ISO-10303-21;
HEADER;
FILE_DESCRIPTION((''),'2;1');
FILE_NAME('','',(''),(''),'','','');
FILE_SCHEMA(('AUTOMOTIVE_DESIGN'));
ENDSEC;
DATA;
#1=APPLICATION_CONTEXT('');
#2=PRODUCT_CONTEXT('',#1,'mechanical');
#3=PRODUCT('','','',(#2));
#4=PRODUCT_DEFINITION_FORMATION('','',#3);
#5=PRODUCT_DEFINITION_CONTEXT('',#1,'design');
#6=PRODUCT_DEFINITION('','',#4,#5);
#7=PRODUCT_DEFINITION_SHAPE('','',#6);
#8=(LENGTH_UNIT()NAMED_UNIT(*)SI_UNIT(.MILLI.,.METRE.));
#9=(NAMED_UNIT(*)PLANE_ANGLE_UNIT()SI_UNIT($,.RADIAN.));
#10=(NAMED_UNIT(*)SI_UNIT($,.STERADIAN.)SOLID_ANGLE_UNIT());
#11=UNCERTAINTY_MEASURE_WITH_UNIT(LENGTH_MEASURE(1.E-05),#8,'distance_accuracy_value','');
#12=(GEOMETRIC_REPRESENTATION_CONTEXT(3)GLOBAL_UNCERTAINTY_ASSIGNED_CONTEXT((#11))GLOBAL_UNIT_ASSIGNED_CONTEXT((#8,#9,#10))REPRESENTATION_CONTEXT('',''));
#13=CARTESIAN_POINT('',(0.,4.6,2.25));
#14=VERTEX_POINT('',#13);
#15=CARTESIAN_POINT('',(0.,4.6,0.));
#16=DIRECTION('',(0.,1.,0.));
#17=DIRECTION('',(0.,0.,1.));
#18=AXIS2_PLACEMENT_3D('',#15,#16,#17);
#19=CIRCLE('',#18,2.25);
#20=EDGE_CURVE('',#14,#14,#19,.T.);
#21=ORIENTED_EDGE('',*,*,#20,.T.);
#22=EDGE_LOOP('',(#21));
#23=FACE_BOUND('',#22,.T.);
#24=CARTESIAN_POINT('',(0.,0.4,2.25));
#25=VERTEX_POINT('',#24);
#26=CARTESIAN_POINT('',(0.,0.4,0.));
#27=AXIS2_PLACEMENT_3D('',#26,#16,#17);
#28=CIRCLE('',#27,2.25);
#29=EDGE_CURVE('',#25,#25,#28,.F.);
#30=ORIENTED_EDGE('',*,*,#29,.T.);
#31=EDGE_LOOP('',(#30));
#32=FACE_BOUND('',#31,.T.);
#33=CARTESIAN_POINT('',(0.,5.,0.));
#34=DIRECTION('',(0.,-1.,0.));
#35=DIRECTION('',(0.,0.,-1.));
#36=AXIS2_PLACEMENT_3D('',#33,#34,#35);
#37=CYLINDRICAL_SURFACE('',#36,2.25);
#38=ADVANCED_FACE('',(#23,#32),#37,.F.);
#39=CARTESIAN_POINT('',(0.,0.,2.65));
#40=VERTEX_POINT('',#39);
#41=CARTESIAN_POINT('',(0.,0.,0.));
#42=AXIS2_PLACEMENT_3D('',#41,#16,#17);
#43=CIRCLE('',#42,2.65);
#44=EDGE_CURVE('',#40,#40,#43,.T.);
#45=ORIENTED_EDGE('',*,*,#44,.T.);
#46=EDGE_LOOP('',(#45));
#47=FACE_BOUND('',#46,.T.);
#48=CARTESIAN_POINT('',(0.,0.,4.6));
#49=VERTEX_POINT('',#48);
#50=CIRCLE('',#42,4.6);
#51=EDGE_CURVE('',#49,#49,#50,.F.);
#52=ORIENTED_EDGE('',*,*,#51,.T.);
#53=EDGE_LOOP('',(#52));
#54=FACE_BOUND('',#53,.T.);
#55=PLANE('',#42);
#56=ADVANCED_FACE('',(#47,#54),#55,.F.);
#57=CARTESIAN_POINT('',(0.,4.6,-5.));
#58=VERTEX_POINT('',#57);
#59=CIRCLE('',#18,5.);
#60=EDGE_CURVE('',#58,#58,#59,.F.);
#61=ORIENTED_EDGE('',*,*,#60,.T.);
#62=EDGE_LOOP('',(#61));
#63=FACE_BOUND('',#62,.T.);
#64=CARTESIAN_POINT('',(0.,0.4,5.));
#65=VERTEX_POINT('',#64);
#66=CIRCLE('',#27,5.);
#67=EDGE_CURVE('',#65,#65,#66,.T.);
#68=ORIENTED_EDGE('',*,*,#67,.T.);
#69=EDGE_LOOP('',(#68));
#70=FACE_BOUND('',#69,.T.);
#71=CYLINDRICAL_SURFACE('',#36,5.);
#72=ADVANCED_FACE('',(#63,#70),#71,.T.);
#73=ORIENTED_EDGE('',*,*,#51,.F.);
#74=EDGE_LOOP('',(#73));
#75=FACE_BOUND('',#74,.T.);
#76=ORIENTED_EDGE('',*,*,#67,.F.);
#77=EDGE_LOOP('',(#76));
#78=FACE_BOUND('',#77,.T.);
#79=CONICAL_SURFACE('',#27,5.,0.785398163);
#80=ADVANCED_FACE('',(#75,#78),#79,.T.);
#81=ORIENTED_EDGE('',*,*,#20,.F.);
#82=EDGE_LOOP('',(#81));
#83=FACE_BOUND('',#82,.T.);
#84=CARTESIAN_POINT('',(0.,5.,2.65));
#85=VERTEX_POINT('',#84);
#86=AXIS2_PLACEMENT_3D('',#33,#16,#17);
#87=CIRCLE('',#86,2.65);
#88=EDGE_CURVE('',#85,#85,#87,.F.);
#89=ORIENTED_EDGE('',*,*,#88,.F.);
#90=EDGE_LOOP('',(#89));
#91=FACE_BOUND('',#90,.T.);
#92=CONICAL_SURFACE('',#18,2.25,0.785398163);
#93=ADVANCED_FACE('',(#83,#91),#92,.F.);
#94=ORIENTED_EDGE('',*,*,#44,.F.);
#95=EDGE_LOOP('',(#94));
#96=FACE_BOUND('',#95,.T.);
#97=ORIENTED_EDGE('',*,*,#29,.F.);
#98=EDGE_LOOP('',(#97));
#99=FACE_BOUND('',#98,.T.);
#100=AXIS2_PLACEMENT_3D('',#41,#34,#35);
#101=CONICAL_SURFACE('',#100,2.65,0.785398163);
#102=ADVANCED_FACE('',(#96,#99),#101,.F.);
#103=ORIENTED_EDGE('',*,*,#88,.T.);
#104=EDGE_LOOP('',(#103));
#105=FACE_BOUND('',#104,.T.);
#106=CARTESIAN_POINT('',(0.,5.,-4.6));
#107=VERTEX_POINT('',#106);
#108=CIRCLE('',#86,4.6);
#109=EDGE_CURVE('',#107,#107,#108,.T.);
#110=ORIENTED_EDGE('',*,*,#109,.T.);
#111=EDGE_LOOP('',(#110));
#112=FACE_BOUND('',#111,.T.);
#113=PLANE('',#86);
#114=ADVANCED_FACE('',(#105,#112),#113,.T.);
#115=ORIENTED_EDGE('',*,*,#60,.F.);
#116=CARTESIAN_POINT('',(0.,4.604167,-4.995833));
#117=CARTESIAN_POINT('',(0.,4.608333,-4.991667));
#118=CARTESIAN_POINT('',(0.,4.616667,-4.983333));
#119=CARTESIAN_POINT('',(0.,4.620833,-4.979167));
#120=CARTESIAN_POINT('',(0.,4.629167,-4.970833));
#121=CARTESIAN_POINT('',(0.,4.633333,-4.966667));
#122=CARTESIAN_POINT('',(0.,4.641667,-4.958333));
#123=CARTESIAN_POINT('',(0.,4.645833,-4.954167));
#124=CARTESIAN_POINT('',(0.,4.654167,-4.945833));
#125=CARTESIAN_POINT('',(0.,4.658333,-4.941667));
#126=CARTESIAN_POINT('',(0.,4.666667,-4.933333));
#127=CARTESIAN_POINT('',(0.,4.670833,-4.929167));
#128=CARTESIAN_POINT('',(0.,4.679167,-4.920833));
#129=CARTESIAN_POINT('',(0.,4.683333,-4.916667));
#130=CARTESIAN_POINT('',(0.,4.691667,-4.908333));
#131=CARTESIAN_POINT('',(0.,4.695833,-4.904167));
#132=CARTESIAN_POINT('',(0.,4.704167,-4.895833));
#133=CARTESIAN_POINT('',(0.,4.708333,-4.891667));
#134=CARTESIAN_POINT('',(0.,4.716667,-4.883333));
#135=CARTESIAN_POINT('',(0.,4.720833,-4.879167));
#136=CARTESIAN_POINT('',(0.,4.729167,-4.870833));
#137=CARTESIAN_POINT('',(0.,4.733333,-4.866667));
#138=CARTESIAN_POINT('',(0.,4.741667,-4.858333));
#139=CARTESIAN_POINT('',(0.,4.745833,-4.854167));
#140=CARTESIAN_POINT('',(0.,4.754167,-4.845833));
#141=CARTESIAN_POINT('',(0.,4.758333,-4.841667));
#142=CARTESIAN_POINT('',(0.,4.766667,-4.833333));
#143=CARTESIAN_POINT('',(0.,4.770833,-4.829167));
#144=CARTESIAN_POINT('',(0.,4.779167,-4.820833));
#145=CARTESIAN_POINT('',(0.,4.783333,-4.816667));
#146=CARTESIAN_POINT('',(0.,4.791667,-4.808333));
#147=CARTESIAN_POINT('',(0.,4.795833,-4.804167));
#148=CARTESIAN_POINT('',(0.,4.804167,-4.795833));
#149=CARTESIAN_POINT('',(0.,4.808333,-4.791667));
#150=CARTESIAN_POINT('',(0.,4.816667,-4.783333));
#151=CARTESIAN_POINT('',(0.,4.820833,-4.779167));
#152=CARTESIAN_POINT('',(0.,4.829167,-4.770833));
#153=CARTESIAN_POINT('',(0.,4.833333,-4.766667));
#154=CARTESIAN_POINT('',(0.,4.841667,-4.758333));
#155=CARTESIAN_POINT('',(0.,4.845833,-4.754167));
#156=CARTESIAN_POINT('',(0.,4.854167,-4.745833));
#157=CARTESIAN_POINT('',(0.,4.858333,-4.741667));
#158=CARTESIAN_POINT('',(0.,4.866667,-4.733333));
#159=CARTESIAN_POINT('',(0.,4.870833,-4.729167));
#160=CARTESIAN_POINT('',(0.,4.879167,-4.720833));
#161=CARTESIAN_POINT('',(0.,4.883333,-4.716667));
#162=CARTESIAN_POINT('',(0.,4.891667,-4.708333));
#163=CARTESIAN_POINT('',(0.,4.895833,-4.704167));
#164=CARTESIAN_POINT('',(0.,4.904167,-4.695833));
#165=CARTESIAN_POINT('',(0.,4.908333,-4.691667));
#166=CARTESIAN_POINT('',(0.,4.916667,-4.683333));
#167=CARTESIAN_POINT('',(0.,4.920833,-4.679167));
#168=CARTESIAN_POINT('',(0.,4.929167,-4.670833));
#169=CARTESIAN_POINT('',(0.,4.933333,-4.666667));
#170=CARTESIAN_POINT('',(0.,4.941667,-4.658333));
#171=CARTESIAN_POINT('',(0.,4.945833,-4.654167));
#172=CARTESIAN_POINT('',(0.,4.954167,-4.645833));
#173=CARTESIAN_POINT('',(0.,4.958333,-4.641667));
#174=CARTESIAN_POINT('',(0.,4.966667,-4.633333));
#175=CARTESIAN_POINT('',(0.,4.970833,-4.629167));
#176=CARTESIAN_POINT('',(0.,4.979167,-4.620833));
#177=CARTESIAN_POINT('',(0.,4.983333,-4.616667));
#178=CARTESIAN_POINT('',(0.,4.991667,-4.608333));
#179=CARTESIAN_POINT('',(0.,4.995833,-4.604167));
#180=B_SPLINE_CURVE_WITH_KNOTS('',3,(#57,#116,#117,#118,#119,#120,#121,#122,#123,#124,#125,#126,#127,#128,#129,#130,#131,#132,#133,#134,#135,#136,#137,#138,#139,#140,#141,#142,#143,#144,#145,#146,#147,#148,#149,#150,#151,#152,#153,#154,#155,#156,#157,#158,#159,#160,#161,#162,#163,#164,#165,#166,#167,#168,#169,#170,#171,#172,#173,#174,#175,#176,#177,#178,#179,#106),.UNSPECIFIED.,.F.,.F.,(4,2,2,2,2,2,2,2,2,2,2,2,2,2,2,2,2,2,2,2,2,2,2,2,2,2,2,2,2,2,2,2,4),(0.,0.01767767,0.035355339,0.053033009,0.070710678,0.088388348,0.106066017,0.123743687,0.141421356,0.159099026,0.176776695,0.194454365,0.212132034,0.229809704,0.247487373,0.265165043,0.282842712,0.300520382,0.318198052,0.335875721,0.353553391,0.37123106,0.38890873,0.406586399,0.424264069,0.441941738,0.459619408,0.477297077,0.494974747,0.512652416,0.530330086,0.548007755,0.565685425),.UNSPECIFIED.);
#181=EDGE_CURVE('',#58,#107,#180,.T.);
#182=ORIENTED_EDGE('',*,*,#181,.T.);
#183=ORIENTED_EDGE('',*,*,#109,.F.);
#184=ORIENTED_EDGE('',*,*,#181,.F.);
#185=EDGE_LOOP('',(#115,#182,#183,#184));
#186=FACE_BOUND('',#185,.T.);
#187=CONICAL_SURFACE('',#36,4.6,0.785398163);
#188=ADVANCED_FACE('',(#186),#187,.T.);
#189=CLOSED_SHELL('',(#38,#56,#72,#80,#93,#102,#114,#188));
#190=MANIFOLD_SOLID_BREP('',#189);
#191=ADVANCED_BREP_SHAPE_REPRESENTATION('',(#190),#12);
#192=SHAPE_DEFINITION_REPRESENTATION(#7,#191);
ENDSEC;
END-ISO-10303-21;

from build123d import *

# Parameters (mm, degrees)
BODY_SKETCH_R   = 5
BODY_SKETCH_R_2 = 2.25
BODY_DEPTH      = 5
CHAMFERS_SIZE   = 0.4


with BuildPart() as part:
    # body_sketch → body (new body)
    with BuildSketch(Plane(origin=(0, 0, 0), x_dir=(1, 0, 0), z_dir=(0, 1, 0))):
        with Locations(Location((0, 0, 0), (0, 0, 270))):
            Circle(BODY_SKETCH_R)
        with Locations(Location((0, 0, 0), (0, 0, 270))):
            Circle(BODY_SKETCH_R_2, mode=Mode.SUBTRACT)
    extrude(amount=BODY_DEPTH)

    # chamfers
    chamfers_edges = [part.edges().sort_by_distance(p)[0] for p in [
        (0, 0, -5),
        (0, 5, -5),
        (0, 0, -2.25),
        (0, 5, -2.25),
    ]]
    chamfer(chamfers_edges, length=CHAMFERS_SIZE)


solid = part.part
